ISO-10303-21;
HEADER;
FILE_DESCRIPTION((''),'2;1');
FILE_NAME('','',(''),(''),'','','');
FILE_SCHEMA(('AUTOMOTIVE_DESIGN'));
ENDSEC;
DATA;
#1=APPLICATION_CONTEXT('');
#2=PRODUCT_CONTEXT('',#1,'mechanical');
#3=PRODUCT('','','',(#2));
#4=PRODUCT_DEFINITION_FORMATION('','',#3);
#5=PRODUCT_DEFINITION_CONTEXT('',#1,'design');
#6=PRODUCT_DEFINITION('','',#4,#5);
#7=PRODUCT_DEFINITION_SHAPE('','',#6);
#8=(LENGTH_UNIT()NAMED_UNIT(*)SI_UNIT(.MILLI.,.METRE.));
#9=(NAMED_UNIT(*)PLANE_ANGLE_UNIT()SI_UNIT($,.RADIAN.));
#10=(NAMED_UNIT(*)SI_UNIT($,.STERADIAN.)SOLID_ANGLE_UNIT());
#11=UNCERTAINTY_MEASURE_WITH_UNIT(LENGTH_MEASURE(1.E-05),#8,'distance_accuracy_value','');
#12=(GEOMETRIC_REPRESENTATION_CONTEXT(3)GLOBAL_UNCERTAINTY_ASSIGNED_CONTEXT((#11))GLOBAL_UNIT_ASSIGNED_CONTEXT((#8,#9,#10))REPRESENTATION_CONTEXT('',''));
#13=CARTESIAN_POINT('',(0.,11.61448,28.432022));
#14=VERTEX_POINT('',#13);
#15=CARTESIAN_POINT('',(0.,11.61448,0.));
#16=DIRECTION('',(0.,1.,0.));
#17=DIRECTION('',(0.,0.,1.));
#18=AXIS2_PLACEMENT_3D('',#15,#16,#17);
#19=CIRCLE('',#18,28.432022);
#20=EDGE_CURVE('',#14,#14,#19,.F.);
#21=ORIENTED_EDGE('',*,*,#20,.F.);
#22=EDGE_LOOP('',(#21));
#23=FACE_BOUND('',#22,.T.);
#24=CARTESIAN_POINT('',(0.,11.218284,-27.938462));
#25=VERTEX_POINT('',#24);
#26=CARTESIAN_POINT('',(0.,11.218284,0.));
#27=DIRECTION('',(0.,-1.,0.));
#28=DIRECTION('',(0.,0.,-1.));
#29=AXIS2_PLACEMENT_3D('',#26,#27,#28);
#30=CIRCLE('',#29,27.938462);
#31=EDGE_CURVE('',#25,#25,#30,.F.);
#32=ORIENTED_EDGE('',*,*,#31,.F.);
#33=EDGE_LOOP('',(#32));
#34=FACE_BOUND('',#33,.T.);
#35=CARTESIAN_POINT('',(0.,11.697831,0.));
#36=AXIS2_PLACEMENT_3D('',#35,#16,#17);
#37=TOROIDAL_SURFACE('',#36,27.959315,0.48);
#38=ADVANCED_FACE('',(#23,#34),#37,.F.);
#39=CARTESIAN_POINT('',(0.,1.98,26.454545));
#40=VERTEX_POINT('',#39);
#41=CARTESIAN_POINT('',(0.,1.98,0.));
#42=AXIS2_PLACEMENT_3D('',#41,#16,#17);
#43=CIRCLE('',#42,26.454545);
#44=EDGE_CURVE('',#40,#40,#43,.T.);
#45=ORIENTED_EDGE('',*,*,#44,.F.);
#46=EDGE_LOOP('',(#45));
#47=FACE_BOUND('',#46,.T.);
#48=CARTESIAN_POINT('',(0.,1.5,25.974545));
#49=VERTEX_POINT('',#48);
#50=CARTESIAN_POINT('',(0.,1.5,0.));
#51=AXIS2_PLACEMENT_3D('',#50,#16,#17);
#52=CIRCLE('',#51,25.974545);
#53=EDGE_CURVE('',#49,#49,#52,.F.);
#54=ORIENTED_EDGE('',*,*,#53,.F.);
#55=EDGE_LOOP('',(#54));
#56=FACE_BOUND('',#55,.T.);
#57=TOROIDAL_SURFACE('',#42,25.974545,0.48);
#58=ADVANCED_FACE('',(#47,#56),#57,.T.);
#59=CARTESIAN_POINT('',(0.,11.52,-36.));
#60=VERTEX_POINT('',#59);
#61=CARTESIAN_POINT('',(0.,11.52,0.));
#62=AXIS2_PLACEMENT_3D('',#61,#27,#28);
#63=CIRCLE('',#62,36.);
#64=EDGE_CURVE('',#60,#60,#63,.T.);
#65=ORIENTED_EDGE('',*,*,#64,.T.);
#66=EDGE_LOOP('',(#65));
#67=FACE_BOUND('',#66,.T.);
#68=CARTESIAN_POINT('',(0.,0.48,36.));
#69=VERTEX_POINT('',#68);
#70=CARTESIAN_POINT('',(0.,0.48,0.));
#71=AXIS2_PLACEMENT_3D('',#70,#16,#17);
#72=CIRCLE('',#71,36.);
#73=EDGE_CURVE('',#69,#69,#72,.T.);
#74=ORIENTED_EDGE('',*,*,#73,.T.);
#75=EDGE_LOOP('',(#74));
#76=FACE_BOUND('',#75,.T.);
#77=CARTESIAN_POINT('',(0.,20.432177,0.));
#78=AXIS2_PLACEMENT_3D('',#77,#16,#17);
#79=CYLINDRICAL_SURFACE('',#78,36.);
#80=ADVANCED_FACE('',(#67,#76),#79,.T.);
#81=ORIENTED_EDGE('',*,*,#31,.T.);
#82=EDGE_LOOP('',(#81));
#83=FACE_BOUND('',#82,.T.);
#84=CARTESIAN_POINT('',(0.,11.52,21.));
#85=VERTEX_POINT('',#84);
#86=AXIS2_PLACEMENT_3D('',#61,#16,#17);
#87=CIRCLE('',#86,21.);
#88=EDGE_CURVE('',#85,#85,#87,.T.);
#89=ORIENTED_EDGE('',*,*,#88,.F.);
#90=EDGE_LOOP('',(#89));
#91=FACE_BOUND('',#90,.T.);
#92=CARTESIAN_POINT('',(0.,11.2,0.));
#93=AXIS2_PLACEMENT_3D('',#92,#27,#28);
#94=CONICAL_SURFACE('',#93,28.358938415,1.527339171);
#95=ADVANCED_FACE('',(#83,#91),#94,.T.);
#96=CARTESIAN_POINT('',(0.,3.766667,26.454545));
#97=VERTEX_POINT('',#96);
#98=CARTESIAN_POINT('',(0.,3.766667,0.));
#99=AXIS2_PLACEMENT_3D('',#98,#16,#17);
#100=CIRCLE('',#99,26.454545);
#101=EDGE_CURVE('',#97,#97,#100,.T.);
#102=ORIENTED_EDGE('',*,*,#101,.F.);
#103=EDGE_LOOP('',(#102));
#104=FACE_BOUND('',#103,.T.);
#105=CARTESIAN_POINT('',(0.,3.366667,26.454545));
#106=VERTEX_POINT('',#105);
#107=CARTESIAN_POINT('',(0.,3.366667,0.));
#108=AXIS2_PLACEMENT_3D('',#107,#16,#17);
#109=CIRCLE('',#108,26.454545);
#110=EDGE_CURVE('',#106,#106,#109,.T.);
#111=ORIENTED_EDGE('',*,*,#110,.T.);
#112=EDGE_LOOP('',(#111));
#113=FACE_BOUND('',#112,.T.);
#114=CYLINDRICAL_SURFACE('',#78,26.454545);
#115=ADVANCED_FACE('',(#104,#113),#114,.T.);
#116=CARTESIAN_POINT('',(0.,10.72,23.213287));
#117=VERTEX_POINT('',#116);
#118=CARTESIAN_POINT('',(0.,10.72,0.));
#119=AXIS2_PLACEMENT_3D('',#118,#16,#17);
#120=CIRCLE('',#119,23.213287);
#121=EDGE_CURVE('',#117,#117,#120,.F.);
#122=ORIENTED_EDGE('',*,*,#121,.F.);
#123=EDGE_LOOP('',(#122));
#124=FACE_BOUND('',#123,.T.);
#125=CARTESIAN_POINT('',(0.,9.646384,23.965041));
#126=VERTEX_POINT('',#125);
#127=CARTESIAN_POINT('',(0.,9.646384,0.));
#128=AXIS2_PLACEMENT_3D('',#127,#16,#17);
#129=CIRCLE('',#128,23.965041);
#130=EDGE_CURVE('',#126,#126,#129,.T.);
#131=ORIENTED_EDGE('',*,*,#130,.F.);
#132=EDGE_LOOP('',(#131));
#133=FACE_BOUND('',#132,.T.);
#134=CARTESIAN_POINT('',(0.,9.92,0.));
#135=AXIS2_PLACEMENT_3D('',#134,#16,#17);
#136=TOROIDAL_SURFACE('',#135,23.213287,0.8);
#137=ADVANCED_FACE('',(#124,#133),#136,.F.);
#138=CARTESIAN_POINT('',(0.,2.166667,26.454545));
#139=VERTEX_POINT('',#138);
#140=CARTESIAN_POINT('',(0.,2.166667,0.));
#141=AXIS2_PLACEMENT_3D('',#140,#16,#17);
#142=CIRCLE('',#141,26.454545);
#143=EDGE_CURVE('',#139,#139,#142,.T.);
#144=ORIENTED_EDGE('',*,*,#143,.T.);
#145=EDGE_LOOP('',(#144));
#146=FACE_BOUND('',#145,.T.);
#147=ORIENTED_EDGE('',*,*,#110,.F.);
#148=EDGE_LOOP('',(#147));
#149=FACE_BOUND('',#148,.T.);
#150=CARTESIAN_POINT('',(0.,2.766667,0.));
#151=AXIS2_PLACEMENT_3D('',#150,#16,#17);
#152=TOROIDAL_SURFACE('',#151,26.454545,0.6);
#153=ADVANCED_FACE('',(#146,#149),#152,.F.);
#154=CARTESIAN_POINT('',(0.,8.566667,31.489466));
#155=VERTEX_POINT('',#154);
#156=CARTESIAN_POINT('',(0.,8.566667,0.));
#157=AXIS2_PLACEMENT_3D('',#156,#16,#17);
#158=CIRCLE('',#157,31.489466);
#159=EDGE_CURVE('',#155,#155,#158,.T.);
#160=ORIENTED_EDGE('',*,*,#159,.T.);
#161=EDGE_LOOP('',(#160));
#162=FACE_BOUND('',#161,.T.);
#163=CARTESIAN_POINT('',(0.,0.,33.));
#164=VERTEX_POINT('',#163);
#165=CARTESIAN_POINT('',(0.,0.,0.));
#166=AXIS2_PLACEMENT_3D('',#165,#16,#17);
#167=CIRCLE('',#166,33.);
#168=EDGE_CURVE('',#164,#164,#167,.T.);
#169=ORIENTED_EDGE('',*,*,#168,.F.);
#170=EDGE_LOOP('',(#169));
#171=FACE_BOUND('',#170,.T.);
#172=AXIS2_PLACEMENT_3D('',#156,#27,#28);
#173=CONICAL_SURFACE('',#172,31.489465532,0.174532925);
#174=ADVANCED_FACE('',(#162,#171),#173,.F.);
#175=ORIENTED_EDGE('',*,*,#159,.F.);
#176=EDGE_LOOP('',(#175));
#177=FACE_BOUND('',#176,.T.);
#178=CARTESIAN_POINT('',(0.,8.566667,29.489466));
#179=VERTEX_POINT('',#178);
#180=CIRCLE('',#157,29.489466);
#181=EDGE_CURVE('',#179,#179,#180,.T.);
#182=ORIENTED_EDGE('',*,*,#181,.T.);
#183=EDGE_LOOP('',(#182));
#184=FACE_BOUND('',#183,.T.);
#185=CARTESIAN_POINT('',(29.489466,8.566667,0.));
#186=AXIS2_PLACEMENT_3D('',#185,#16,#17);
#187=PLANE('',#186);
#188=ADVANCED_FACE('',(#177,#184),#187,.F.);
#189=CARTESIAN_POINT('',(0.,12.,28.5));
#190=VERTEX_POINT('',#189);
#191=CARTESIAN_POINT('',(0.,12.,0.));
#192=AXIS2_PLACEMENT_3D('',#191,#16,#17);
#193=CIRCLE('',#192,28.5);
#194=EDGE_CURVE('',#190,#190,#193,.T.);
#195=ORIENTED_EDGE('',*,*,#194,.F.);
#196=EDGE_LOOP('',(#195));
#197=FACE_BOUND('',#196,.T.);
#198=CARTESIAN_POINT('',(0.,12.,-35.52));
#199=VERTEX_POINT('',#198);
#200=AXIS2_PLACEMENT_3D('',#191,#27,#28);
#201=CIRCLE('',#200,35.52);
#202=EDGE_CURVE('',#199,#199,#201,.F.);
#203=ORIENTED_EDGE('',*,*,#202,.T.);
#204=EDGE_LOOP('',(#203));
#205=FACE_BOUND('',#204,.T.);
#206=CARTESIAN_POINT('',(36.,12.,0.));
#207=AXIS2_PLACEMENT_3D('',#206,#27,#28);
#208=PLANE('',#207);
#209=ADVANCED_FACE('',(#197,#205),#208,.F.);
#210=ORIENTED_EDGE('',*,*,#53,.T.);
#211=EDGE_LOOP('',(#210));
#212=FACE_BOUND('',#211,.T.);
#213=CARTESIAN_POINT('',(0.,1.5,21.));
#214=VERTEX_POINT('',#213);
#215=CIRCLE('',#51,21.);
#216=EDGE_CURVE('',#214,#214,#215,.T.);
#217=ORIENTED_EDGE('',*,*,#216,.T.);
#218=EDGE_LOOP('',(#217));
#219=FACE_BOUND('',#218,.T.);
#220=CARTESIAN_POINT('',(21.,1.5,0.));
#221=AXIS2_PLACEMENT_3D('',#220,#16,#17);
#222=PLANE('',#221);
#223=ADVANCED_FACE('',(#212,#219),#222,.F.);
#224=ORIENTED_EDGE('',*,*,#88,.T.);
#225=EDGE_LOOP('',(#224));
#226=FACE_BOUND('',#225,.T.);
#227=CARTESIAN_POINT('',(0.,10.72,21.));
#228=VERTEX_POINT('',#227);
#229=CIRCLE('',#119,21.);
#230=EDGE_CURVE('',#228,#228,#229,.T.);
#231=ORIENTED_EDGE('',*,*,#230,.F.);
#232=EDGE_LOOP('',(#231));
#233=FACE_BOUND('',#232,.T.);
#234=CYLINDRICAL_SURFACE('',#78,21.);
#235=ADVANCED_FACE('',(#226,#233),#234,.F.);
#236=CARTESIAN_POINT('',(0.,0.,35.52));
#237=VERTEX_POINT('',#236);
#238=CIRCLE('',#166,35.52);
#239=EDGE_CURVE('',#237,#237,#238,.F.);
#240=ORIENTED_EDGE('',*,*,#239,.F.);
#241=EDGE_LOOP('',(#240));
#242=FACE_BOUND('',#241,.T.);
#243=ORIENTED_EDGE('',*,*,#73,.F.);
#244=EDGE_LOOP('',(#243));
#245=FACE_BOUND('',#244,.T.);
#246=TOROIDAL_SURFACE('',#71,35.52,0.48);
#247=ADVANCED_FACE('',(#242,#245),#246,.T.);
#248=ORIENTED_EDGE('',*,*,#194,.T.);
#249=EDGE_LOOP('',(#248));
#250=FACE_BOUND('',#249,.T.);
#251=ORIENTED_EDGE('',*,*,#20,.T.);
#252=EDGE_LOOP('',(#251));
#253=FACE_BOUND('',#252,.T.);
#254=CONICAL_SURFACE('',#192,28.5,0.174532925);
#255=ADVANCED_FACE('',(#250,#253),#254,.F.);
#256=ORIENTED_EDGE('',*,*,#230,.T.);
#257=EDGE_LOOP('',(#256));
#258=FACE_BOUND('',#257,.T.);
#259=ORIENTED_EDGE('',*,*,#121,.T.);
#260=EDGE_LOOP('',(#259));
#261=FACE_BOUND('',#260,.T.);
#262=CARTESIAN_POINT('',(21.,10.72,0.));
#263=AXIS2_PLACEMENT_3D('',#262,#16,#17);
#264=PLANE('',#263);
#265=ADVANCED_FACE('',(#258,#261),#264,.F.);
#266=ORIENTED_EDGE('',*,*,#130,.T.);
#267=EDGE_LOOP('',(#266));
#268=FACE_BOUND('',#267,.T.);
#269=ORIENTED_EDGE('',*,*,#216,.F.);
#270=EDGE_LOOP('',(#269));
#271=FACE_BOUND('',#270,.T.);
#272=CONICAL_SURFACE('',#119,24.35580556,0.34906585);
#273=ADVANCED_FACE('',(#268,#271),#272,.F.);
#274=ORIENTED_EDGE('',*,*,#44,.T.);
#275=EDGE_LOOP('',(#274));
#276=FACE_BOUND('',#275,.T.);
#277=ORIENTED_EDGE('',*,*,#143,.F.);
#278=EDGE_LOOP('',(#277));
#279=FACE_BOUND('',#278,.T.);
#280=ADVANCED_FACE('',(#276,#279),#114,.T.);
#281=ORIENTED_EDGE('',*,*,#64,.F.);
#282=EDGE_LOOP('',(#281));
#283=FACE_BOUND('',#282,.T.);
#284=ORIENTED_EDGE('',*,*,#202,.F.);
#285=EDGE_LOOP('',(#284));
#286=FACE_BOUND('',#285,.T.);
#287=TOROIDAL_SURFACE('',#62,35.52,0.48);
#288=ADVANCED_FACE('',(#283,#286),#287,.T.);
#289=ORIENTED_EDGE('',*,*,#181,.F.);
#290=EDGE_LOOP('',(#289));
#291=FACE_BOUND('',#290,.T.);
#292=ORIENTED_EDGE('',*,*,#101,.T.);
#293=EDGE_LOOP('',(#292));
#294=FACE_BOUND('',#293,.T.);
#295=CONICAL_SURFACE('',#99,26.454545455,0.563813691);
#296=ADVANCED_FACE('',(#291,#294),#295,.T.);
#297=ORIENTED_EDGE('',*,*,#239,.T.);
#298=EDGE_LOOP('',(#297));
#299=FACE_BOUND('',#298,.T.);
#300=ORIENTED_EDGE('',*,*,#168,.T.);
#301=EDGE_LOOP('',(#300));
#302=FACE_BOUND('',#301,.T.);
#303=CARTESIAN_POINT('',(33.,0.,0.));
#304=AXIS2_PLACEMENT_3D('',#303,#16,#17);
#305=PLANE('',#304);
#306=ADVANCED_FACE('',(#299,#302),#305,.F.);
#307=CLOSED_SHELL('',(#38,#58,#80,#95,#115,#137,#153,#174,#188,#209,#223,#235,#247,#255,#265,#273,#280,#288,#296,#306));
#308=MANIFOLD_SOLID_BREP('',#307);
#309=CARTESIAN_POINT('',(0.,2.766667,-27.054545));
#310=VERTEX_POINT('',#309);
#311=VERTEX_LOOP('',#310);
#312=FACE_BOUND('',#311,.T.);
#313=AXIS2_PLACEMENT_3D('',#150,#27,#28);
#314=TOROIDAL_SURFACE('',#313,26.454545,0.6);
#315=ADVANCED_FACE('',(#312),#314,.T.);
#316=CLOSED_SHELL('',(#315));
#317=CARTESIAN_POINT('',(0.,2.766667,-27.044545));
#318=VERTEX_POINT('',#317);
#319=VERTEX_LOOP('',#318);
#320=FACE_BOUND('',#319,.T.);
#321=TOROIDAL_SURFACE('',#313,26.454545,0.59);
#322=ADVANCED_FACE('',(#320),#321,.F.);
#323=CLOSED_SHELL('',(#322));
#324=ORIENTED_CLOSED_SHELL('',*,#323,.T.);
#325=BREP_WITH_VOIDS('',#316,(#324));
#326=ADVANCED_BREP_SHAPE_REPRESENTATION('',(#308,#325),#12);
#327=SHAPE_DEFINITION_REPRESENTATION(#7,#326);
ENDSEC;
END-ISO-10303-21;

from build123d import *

# Parameters (mm, degrees)
FILLET1_R  = 0.48
FILLET2_R  = 0.48
FILLET3_R  = 0.8
SKICA1_R   = 0.6
SKICA1_R_2 = 0.59


with BuildPart() as part:
    # Sketch1 → Base-Revolve (revolve)
    with BuildSketch(Plane.XY, mode=Mode.PRIVATE) as base_revolve_sk:
        with BuildLine():
            Line((33, 0), (36, 0))
            Line((36, 0), (36, 12))
            Line((36, 12), (28.5, 12))
            Line((28.5, 12), (28.358938415, 11.2))
            Line((28.358938415, 11.2), (21, 11.52))
            Line((21, 11.52), (21, 10.72))
            Line((21, 10.72), (24.35580556, 10.72))
            Line((24.35580556, 10.72), (21, 1.5))
            Line((21, 1.5), (26.454545455, 1.5))
            Line((26.454545455, 1.5), (26.454545455, 2.166666667))
            ThreePointArc((26.454545455, 2.166666667), (25.854545455, 2.766666667), (26.454545455, 3.366666667))
            Line((26.454545455, 3.366666667), (26.454545455, 3.766666667))
            Line((26.454545455, 3.766666667), (29.489465532, 8.566666667))
            Line((29.489465532, 8.566666667), (31.489465532, 8.566666667))
            Line((31.489465532, 8.566666667), (33, 0))
        make_face()
    revolve(base_revolve_sk.sketch.rotate(Axis((0, 20.432176656, 0), (0, -1, 0)), 90), axis=Axis((0, 20.432176656, 0), (0, -1, 0)))

    # Fillet1
    fillet1_edges = [part.edges().sort_by_distance(p)[0] for p in [
        (0, 12, -36),
        (0, 0, -36),
        (0, 1.5, -26.454545455),
    ]]
    fillet(fillet1_edges, radius=FILLET1_R)

    # Fillet2
    fillet2_edges = [part.edges().sort_by_distance(p)[0] for p in [
        (0, 11.2, -28.358938415),
    ]]
    fillet(fillet2_edges, radius=FILLET2_R)

    # Fillet3
    fillet3_edges = [part.edges().sort_by_distance(p)[0] for p in [
        (0, 10.72, -24.35580556),
    ]]
    fillet(fillet3_edges, radius=FILLET3_R)


with BuildPart() as body_2:
    # Skica1 → Otočit kolem osy1 (revolve)
    with BuildSketch(Plane.XY, mode=Mode.PRIVATE) as oto_it_kolem_osy1_sk:
        with Locations((26.454545455, 2.766666667)):
            Circle(SKICA1_R)
        with Locations((26.454545455, 2.766666667)):
            Circle(SKICA1_R_2, mode=Mode.SUBTRACT)
    revolve(oto_it_kolem_osy1_sk.sketch.rotate(Axis((0, 0, 0), (0, 1, 0)), 90), axis=Axis((0, 0, 0), (0, 1, 0)))


solid = Compound([part.part, body_2.part])
